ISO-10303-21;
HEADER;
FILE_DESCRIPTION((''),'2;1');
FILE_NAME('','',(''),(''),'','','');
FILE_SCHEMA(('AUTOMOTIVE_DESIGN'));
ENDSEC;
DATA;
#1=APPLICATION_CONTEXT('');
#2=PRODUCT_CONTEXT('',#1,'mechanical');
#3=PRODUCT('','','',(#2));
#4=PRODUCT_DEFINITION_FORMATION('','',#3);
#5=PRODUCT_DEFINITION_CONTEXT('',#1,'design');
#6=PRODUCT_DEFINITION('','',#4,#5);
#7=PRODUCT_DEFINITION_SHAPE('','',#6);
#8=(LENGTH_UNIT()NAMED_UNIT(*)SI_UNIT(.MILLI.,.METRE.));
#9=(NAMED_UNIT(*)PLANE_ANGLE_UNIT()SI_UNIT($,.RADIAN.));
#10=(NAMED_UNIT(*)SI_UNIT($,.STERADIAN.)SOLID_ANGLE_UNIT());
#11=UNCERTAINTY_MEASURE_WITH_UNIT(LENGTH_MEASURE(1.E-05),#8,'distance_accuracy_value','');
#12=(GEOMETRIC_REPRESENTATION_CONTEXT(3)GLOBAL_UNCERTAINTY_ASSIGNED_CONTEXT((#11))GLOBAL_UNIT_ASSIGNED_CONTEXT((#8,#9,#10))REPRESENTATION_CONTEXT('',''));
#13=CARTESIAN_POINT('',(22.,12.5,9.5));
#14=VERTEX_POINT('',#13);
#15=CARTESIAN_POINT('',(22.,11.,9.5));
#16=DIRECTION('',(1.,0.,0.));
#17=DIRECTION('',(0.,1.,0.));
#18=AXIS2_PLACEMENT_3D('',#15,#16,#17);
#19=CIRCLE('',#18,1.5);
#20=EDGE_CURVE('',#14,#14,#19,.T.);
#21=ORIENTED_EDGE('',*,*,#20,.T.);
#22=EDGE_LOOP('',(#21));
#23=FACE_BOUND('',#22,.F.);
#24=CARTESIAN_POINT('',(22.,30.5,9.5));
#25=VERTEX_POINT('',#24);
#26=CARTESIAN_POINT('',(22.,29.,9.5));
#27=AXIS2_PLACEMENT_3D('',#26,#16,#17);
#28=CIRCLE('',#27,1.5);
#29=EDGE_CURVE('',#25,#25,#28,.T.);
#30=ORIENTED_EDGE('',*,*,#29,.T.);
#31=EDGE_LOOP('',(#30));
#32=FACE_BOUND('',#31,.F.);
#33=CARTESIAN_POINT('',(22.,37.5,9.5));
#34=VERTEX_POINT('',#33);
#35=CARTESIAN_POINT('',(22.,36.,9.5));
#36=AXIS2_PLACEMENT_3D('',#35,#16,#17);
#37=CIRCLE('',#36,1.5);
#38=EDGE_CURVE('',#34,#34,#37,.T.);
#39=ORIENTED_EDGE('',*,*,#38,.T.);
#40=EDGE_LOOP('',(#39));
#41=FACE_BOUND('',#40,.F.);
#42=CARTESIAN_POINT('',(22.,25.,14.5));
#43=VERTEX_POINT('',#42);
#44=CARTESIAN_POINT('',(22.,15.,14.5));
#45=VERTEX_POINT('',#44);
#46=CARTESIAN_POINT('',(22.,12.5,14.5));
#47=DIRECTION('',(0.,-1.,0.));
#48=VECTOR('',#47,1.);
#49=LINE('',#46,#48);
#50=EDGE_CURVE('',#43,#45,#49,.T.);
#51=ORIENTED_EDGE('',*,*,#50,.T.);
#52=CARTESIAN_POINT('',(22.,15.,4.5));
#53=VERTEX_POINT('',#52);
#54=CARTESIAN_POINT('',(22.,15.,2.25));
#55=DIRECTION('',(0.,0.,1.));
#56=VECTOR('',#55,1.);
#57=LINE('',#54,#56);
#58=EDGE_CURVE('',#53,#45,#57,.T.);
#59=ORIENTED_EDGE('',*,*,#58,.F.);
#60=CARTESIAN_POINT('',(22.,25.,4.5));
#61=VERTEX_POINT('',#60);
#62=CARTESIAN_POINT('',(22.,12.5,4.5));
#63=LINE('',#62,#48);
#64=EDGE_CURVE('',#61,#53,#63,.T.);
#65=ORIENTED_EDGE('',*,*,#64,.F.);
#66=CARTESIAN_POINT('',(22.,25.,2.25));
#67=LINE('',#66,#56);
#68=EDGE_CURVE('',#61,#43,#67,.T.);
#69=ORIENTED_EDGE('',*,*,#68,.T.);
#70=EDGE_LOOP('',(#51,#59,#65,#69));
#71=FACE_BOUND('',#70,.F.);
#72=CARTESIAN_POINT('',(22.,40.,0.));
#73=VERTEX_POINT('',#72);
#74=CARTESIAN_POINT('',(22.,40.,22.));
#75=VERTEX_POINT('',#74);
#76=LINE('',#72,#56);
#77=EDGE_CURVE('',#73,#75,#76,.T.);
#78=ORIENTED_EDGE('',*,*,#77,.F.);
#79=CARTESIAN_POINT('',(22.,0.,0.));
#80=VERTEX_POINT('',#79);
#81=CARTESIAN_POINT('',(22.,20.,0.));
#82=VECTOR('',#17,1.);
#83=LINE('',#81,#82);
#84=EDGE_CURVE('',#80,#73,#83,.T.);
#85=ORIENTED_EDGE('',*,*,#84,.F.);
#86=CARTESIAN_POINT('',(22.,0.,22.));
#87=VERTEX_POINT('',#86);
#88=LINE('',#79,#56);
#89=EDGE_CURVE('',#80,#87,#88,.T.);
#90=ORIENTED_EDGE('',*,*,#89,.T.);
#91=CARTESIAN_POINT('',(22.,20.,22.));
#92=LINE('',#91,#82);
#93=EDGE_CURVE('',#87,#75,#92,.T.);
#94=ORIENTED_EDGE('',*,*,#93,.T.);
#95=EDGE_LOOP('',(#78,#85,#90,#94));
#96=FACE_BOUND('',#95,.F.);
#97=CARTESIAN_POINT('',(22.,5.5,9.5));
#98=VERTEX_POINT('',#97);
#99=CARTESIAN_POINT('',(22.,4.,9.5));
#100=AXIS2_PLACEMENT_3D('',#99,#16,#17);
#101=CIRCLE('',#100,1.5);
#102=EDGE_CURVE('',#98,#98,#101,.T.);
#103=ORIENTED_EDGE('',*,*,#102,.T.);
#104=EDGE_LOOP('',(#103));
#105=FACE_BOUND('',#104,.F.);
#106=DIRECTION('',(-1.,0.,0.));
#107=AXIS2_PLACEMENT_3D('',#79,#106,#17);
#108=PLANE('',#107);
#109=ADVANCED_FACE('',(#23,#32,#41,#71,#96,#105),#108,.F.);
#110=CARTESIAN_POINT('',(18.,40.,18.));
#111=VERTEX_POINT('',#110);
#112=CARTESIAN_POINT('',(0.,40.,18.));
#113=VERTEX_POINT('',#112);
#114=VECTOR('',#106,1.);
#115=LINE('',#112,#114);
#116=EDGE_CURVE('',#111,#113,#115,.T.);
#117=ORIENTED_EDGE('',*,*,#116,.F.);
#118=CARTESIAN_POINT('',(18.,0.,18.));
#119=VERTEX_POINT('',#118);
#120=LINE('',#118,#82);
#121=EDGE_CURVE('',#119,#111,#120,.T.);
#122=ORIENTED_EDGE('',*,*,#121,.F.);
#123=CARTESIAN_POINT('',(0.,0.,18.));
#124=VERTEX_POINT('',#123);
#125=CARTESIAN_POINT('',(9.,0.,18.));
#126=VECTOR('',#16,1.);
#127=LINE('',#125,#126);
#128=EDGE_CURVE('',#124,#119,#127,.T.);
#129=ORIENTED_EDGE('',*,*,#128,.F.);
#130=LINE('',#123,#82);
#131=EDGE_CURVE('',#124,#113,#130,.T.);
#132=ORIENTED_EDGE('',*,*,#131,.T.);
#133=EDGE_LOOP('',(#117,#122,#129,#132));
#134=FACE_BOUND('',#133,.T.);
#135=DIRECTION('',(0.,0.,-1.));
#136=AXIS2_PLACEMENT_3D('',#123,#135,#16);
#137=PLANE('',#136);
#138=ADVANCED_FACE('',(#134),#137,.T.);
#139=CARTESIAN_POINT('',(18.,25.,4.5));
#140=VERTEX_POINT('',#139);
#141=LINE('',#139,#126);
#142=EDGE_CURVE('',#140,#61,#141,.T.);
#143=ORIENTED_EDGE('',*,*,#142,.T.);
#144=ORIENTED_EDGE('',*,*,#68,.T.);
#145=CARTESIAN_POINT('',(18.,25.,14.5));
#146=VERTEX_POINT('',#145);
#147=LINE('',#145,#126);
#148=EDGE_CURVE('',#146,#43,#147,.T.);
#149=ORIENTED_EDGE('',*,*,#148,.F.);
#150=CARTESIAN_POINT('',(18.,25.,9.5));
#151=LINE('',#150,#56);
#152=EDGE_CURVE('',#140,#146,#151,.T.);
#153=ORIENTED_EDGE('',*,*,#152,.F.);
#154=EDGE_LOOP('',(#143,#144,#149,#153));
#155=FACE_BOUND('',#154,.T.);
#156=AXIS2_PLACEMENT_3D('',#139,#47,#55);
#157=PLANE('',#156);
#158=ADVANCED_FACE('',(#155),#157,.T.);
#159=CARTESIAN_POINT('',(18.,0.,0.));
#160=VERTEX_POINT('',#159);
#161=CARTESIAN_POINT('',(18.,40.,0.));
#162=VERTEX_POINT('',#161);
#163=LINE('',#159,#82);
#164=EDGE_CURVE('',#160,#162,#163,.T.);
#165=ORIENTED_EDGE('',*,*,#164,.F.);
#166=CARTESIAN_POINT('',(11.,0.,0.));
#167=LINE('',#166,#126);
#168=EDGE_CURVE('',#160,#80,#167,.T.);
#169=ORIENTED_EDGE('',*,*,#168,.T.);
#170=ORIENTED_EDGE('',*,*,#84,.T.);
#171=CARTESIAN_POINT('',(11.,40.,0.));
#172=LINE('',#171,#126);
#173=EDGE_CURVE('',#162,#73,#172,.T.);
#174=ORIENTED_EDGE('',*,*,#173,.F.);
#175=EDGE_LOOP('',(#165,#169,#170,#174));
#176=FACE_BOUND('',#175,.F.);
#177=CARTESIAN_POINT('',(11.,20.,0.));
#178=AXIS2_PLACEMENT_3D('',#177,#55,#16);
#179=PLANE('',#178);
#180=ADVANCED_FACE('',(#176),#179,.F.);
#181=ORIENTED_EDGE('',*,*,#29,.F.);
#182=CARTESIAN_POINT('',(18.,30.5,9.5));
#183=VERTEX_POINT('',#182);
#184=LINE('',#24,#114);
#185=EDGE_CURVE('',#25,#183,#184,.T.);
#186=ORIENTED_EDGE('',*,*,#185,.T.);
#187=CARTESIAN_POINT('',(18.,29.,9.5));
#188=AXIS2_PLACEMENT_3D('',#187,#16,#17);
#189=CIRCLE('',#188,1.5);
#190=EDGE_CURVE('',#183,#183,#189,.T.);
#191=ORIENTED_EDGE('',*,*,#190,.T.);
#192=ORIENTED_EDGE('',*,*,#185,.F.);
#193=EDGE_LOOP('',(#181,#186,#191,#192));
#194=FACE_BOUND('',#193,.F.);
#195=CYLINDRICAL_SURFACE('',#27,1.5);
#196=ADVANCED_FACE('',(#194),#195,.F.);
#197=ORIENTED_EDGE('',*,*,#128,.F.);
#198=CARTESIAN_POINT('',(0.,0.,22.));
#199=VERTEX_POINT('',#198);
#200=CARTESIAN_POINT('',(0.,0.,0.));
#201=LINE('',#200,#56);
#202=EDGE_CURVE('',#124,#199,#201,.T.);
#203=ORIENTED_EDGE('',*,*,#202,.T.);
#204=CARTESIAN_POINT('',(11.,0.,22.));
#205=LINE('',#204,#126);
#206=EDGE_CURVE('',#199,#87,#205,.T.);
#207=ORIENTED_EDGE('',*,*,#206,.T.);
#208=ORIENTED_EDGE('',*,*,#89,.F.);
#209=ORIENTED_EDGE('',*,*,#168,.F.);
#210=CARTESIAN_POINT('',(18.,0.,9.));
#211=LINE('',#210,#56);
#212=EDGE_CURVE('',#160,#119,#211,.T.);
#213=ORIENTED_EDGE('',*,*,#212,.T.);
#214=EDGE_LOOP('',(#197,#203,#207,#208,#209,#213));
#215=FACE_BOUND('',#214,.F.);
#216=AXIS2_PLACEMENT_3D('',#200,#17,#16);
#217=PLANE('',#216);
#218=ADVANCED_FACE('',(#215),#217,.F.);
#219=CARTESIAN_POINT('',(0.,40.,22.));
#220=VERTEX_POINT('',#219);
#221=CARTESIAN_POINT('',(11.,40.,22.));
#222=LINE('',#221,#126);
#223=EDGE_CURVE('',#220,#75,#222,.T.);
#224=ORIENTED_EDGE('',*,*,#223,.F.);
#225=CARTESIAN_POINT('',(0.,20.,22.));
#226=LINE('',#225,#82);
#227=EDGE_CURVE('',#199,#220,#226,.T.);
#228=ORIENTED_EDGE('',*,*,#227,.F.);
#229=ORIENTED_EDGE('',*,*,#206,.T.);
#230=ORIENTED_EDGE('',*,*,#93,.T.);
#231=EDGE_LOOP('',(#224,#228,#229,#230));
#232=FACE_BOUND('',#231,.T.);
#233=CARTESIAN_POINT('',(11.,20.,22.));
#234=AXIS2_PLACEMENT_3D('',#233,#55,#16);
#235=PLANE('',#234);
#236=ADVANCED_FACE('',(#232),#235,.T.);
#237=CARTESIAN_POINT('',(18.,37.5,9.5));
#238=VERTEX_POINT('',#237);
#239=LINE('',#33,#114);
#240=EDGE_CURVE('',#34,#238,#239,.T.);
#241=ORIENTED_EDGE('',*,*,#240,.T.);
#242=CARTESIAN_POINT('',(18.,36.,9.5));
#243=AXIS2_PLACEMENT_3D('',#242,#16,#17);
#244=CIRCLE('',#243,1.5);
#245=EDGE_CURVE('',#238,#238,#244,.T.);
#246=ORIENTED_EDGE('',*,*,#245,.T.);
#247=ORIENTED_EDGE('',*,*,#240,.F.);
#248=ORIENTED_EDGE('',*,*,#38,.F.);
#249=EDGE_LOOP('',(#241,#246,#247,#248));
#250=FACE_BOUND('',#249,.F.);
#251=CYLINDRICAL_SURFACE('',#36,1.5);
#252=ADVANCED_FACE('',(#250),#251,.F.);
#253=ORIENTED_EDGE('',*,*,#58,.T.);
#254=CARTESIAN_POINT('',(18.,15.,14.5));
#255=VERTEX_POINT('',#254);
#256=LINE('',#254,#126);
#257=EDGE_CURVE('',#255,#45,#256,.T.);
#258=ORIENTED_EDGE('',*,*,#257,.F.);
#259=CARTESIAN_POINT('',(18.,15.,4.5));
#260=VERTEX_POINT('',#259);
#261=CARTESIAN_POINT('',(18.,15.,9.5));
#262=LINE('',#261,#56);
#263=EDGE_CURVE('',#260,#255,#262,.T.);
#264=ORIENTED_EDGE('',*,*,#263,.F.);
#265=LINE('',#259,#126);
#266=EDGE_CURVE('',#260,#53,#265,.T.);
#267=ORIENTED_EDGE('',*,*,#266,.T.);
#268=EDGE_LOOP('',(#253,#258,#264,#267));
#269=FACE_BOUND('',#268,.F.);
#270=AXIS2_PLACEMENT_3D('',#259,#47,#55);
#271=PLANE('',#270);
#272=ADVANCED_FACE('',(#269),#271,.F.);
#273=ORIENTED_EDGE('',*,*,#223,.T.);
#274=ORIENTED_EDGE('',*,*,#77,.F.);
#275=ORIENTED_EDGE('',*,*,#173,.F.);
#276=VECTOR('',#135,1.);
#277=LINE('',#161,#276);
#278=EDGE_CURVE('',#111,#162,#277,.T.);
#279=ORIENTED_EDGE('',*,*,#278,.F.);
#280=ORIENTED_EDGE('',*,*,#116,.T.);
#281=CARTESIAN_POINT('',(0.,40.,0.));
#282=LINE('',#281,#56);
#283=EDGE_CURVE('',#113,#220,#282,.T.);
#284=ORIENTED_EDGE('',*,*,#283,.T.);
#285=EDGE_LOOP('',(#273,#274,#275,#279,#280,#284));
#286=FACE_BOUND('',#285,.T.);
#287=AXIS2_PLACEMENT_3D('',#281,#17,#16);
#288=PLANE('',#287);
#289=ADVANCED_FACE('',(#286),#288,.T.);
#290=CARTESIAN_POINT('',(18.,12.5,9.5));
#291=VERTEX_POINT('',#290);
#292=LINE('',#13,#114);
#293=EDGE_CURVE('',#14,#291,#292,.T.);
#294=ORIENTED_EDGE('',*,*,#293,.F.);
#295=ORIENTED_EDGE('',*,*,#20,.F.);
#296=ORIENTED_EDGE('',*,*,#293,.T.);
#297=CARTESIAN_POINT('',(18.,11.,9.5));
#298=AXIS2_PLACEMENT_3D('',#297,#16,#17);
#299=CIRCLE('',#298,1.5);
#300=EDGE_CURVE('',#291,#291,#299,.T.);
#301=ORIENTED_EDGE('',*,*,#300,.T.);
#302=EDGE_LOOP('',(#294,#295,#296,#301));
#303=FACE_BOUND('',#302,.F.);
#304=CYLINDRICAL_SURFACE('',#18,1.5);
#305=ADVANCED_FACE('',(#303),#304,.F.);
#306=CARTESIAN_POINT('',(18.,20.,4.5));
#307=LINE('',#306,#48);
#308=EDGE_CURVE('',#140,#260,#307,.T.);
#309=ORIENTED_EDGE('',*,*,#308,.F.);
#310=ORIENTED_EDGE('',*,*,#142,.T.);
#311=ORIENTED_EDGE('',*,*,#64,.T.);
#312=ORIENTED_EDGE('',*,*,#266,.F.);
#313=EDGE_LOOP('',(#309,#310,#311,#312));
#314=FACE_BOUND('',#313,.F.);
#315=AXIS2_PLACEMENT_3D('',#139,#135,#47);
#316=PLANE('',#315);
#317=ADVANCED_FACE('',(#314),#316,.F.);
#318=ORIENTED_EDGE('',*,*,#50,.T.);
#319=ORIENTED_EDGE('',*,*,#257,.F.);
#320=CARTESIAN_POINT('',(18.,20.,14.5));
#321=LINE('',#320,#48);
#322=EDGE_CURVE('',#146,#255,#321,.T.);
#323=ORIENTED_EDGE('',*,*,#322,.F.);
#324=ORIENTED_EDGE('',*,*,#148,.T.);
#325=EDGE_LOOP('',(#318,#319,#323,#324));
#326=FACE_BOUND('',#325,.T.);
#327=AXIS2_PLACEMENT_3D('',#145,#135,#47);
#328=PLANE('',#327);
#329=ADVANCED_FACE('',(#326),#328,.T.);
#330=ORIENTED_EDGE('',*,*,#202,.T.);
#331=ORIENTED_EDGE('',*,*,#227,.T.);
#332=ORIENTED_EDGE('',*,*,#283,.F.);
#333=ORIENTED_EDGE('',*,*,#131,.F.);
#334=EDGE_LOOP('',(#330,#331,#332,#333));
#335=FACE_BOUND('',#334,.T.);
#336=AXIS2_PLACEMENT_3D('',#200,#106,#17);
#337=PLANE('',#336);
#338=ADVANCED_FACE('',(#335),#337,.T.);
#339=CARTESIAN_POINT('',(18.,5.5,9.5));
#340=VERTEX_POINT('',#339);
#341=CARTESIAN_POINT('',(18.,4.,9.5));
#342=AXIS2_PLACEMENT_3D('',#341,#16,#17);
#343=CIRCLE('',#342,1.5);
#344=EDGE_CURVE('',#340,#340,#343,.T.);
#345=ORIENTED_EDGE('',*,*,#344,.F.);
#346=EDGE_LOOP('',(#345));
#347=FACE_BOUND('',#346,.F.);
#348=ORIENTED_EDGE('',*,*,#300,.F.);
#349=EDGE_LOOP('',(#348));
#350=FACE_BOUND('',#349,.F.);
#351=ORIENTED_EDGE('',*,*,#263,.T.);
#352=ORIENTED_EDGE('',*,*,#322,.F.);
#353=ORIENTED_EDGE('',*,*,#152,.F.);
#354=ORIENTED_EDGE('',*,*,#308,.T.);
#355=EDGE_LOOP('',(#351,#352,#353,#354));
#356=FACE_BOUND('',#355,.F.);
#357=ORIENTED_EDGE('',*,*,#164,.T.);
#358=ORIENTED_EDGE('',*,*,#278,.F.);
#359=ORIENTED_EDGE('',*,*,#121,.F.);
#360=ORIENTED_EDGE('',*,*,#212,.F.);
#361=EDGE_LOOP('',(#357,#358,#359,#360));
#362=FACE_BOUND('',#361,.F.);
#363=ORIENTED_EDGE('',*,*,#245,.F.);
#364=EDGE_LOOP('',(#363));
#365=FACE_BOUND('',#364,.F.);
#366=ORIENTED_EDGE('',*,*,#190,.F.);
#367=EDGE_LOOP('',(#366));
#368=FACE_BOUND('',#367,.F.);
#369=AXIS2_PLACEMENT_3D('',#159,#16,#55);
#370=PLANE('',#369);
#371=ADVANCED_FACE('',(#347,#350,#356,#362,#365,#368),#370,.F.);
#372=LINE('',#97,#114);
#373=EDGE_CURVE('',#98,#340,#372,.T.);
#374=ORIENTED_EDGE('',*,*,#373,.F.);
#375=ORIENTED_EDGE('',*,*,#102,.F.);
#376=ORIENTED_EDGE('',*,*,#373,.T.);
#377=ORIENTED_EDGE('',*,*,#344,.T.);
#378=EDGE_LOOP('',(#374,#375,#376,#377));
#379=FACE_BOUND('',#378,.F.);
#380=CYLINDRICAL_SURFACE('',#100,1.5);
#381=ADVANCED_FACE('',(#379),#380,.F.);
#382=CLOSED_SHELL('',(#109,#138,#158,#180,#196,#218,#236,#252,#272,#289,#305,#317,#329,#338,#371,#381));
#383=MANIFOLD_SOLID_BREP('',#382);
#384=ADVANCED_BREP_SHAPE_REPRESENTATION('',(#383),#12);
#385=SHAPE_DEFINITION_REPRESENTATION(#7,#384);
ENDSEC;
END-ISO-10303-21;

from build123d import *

# Parameters (mm, degrees)
BOX_W           = 22
BOX_H           = 40
BOX_DEPTH       = 22
SKETCH_W        = 18
SKETCH_H        = 18
POCKET_DEPTH    = 40.001
SKETCH001_W     = 10
SKETCH001_H     = 10
POCKET001_DEPTH = 4.001
SKETCH002_R     = 1.5
POCKET002_DEPTH = 22.001


with BuildPart() as part:
    # Box → Box (new body)
    with BuildSketch(Plane.XY):
        with Locations((11, 20)):
            Rectangle(BOX_W, BOX_H)
    extrude(amount=BOX_DEPTH)

    # Sketch → Pocket (cut, through all)
    with BuildSketch(Plane.XZ):
        with Locations((9, 9)):
            Rectangle(SKETCH_W, SKETCH_H)
    extrude(amount=-POCKET_DEPTH, mode=Mode.SUBTRACT)

    # Sketch001 → Pocket001 (cut, through all)
    with BuildSketch(Plane(origin=(18, 0, 0), x_dir=(0, -1, 0), z_dir=(-1, 0, 0))):
        with Locations((-20, 9.5)):
            Rectangle(SKETCH001_W, SKETCH001_H)
    extrude(amount=-POCKET001_DEPTH, mode=Mode.SUBTRACT)

    # Sketch002 → Pocket002 (cut, through all)
    with BuildSketch(Plane.YZ.offset(22)):
        with Locations((4, 9.5)):
            Circle(SKETCH002_R)
        with Locations((11, 9.5)):
            Circle(SKETCH002_R)
        with Locations((29, 9.5)):
            Circle(SKETCH002_R)
        with Locations((36, 9.5)):
            Circle(SKETCH002_R)
    extrude(amount=-POCKET002_DEPTH, mode=Mode.SUBTRACT)


solid = part.part
